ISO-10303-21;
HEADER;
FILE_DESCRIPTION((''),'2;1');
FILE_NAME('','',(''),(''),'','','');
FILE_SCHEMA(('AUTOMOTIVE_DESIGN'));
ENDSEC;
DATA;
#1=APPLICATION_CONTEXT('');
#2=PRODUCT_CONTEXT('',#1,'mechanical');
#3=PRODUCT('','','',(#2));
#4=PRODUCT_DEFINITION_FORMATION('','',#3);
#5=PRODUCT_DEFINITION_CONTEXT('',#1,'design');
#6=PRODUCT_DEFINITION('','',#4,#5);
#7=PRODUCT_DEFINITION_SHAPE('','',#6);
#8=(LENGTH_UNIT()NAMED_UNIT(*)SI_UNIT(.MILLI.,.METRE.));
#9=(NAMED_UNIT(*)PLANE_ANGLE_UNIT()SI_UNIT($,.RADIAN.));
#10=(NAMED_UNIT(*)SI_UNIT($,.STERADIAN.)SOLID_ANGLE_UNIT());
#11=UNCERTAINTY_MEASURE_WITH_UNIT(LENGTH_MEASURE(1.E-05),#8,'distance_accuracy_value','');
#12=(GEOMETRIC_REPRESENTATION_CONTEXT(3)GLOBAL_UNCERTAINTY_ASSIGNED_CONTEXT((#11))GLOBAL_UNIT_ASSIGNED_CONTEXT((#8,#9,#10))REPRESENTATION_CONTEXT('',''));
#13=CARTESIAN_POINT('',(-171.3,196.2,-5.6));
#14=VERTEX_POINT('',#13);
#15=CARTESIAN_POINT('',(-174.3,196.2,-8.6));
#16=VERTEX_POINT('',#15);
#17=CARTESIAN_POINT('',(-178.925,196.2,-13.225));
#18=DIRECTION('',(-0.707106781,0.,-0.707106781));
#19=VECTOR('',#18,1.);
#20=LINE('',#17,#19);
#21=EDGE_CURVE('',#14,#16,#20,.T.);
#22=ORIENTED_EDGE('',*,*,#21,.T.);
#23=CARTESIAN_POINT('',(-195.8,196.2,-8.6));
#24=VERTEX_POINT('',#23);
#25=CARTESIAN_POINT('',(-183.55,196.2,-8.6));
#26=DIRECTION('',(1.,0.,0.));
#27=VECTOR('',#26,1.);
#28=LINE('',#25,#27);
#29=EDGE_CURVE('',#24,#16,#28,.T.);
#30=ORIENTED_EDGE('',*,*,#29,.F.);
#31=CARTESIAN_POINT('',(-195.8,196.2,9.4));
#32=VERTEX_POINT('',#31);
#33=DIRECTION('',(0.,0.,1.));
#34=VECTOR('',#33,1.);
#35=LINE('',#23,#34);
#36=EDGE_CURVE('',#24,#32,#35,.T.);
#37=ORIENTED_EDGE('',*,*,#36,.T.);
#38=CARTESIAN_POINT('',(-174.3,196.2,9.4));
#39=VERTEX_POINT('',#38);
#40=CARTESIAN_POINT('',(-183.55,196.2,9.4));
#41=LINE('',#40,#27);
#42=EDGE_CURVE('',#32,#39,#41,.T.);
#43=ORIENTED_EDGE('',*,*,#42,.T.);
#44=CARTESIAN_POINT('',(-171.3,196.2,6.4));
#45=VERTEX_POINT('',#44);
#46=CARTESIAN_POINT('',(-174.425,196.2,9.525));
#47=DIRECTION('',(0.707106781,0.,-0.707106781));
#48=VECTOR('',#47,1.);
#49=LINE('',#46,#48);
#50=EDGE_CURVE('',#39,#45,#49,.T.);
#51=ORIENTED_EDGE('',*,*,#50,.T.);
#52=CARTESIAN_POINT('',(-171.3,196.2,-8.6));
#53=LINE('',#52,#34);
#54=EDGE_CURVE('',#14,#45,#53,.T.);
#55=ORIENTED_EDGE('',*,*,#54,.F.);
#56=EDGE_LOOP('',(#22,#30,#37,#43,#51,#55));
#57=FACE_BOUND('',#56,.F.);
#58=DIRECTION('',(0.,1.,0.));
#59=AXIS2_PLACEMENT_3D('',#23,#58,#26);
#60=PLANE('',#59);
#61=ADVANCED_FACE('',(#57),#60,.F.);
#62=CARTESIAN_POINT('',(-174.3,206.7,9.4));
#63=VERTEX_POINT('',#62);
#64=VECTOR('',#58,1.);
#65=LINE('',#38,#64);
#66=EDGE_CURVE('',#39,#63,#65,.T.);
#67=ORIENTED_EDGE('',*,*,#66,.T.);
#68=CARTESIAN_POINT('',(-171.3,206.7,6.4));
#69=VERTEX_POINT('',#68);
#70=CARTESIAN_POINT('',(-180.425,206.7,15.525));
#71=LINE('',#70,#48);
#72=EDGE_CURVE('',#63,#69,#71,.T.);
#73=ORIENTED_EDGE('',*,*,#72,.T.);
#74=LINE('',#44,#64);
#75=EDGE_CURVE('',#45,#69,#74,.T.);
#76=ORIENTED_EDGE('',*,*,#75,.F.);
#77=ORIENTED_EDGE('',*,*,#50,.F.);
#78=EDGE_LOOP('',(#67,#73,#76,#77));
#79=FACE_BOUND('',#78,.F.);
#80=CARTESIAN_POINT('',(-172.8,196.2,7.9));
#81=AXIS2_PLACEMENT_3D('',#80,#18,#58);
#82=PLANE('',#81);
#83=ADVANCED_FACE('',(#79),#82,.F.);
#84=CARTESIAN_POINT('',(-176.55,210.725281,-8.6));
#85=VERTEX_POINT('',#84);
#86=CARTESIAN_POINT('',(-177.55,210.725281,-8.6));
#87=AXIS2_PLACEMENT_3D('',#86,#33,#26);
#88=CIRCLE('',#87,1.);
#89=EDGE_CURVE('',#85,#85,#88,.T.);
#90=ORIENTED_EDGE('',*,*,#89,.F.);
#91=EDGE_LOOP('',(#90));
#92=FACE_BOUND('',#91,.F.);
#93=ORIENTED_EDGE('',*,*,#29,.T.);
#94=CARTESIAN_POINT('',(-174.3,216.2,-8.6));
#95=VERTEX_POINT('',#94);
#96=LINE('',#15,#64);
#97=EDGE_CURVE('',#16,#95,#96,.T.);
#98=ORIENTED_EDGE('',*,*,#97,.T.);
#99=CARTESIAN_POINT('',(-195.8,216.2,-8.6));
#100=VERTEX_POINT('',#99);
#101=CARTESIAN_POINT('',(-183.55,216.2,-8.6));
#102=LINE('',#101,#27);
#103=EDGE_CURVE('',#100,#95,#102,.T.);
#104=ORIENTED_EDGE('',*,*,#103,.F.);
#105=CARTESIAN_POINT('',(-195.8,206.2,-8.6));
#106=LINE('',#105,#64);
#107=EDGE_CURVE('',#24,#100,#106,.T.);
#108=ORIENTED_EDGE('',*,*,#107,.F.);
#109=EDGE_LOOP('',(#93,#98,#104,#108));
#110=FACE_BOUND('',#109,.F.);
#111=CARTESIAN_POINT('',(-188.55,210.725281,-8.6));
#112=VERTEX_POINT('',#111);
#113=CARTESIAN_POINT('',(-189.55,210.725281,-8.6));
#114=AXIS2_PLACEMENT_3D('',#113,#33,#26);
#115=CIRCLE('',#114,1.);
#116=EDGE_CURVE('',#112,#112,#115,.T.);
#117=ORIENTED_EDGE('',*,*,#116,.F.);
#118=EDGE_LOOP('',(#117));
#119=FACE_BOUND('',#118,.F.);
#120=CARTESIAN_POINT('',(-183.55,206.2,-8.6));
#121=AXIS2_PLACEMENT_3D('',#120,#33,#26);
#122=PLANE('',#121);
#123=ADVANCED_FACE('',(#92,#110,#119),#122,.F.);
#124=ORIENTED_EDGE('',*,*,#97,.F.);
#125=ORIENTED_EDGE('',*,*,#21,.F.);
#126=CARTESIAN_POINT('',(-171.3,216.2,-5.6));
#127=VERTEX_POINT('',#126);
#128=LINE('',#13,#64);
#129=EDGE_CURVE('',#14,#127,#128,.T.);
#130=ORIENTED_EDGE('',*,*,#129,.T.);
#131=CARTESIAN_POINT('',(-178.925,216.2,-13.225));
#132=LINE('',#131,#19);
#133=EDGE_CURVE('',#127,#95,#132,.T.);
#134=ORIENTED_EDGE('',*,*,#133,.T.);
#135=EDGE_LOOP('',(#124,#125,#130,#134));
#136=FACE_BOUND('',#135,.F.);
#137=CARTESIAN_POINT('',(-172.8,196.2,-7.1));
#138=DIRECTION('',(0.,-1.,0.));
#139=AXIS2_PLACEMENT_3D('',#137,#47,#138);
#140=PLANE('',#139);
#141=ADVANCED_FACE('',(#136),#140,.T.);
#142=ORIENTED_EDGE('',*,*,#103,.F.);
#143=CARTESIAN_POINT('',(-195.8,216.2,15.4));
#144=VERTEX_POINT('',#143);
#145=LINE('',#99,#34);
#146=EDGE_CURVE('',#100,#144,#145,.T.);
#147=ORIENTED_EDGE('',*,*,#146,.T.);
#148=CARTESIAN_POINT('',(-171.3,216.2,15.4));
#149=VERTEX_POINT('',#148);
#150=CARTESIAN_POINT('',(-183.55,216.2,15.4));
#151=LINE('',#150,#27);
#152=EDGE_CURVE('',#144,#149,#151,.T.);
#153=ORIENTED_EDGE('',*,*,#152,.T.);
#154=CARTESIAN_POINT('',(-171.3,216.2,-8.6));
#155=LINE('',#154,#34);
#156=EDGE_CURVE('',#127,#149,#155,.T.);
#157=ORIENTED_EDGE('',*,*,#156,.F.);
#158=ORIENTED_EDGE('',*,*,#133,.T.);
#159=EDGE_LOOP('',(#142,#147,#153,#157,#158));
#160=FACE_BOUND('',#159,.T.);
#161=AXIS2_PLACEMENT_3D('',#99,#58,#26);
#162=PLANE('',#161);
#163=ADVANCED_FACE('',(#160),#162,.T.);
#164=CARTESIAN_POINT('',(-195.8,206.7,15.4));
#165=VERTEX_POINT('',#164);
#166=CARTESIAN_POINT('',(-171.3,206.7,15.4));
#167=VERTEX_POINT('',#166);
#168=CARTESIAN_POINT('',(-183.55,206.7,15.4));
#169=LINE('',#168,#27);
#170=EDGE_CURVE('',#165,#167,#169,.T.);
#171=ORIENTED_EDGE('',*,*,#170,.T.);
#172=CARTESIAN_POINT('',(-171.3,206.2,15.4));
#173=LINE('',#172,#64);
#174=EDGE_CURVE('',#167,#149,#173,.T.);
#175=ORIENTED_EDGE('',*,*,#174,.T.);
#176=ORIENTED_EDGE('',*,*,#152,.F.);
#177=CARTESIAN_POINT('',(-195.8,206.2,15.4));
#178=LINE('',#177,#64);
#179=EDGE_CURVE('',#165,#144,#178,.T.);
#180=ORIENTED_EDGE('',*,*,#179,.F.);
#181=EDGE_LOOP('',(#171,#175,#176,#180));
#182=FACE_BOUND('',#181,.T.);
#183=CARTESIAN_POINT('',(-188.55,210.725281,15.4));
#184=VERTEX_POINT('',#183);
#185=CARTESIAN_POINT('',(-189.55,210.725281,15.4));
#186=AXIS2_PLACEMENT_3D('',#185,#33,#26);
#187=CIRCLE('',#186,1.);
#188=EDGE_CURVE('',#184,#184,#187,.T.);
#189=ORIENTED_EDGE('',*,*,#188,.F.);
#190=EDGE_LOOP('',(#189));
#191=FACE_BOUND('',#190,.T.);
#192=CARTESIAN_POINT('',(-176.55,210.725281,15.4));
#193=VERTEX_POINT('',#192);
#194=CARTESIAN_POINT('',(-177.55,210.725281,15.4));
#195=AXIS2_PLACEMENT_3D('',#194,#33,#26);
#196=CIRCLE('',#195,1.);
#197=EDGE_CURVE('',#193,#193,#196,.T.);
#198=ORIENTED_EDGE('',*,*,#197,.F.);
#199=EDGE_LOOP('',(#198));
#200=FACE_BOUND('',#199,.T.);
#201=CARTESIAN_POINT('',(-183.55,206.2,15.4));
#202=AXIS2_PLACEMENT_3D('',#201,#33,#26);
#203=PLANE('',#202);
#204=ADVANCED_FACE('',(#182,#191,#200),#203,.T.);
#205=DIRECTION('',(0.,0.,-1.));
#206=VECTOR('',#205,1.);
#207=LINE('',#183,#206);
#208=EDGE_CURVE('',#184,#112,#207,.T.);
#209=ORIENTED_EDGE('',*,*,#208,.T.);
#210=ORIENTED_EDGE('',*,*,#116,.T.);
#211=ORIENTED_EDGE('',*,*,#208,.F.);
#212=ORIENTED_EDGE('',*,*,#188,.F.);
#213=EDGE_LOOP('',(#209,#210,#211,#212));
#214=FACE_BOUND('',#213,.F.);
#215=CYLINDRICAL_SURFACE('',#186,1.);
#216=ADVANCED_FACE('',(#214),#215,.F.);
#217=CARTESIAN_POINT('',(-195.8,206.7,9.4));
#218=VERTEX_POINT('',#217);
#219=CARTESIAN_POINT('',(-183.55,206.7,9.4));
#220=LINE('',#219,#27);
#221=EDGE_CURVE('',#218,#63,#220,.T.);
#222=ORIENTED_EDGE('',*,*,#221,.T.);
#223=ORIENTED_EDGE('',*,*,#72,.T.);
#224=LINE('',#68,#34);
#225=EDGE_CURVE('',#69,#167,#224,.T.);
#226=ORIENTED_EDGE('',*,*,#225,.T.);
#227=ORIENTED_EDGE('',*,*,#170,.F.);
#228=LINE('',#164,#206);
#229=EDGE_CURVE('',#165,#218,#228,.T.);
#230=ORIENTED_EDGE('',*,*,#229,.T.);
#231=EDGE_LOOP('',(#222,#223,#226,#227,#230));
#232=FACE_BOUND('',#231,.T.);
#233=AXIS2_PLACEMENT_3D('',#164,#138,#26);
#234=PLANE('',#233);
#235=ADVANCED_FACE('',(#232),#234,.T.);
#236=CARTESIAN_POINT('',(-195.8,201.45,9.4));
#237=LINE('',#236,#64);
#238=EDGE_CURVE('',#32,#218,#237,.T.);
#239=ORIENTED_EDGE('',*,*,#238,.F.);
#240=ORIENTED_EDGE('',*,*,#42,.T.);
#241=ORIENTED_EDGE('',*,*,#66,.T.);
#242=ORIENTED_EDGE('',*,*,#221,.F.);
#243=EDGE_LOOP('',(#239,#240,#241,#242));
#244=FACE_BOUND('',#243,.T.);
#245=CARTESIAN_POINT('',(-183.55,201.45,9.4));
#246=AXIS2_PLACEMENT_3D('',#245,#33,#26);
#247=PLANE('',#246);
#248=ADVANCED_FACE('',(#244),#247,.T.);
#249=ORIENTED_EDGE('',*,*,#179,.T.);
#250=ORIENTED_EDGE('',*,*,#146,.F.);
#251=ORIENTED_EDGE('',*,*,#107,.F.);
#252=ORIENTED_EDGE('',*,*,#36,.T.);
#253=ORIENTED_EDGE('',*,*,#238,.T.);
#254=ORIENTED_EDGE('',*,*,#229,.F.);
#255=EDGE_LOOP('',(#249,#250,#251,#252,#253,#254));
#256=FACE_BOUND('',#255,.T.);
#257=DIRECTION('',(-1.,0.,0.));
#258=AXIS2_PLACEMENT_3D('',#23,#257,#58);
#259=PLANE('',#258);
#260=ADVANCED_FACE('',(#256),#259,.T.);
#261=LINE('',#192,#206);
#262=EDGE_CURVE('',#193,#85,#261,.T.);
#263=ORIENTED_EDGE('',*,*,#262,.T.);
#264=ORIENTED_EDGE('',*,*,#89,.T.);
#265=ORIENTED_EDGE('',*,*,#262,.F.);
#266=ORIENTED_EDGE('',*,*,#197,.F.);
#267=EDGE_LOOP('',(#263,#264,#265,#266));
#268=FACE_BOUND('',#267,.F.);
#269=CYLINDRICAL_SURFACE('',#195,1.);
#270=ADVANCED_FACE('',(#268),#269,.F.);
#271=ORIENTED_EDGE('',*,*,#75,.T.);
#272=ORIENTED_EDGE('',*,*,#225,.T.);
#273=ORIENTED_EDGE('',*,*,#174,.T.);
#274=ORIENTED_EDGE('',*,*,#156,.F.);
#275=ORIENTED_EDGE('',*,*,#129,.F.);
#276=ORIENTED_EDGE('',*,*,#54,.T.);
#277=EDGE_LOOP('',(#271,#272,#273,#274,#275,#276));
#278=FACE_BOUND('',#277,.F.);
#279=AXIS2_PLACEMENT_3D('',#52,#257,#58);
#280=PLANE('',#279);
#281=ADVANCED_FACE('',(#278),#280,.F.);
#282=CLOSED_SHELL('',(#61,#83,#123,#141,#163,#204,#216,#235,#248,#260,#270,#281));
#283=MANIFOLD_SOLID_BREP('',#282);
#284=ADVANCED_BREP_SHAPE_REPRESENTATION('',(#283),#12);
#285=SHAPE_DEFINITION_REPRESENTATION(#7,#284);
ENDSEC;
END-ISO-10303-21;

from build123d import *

# Parameters (mm, degrees)
SKETCH061_W     = 24.5
SKETCH061_H     = 20
PAD029_DEPTH    = 24
SKETCH062_W     = 24.5
SKETCH062_H     = 10.5
POCKET039_DEPTH = 6
CHAMFER023_SIZE = 3
SKETCH063_R     = 1
POCKET040_DEPTH = 24.001
CHAMFER025_SIZE = 3


with BuildPart() as part:
    # Sketch061 → Pad029 (new body)
    with BuildSketch(Plane.XY):
        with Locations((-183.55, 206.2)):
            Rectangle(SKETCH061_W, SKETCH061_H)
    extrude(amount=PAD029_DEPTH)

    # Sketch062 (on Face6 of Pad029) → Pocket039 (cut)
    with BuildSketch(Plane.XY.offset(24)):
        with Locations((-183.55, 201.45)):
            Rectangle(SKETCH062_W, SKETCH062_H)
    extrude(amount=-POCKET039_DEPTH, mode=Mode.SUBTRACT)

    # Chamfer023
    chamfer023_edges = [part.edges().sort_by_distance(p)[0] for p in [
        (-171.3, 201.45, 18),
    ]]
    chamfer(chamfer023_edges, length=CHAMFER023_SIZE)

    # Sketch063 (on Face7 of Chamfer023) → Pocket040 (cut, through all)
    with BuildSketch(Plane.XY.offset(24)):
        with Locations((-189.55, 210.725281)):
            Circle(SKETCH063_R)
        with Locations((-177.55, 210.725281)):
            Circle(SKETCH063_R)
    extrude(amount=-POCKET040_DEPTH, mode=Mode.SUBTRACT)

    # Chamfer025
    chamfer025_edges = [part.edges().sort_by_distance(p)[0] for p in [
        (-171.3, 206.2, 0),
    ]]
    chamfer(chamfer025_edges, length=CHAMFER025_SIZE)


with BuildPart() as part_1:
    # Body022 placement: moved
    add(part.part.moved(Location((0, 0, -8.6))))


solid = part_1.part
